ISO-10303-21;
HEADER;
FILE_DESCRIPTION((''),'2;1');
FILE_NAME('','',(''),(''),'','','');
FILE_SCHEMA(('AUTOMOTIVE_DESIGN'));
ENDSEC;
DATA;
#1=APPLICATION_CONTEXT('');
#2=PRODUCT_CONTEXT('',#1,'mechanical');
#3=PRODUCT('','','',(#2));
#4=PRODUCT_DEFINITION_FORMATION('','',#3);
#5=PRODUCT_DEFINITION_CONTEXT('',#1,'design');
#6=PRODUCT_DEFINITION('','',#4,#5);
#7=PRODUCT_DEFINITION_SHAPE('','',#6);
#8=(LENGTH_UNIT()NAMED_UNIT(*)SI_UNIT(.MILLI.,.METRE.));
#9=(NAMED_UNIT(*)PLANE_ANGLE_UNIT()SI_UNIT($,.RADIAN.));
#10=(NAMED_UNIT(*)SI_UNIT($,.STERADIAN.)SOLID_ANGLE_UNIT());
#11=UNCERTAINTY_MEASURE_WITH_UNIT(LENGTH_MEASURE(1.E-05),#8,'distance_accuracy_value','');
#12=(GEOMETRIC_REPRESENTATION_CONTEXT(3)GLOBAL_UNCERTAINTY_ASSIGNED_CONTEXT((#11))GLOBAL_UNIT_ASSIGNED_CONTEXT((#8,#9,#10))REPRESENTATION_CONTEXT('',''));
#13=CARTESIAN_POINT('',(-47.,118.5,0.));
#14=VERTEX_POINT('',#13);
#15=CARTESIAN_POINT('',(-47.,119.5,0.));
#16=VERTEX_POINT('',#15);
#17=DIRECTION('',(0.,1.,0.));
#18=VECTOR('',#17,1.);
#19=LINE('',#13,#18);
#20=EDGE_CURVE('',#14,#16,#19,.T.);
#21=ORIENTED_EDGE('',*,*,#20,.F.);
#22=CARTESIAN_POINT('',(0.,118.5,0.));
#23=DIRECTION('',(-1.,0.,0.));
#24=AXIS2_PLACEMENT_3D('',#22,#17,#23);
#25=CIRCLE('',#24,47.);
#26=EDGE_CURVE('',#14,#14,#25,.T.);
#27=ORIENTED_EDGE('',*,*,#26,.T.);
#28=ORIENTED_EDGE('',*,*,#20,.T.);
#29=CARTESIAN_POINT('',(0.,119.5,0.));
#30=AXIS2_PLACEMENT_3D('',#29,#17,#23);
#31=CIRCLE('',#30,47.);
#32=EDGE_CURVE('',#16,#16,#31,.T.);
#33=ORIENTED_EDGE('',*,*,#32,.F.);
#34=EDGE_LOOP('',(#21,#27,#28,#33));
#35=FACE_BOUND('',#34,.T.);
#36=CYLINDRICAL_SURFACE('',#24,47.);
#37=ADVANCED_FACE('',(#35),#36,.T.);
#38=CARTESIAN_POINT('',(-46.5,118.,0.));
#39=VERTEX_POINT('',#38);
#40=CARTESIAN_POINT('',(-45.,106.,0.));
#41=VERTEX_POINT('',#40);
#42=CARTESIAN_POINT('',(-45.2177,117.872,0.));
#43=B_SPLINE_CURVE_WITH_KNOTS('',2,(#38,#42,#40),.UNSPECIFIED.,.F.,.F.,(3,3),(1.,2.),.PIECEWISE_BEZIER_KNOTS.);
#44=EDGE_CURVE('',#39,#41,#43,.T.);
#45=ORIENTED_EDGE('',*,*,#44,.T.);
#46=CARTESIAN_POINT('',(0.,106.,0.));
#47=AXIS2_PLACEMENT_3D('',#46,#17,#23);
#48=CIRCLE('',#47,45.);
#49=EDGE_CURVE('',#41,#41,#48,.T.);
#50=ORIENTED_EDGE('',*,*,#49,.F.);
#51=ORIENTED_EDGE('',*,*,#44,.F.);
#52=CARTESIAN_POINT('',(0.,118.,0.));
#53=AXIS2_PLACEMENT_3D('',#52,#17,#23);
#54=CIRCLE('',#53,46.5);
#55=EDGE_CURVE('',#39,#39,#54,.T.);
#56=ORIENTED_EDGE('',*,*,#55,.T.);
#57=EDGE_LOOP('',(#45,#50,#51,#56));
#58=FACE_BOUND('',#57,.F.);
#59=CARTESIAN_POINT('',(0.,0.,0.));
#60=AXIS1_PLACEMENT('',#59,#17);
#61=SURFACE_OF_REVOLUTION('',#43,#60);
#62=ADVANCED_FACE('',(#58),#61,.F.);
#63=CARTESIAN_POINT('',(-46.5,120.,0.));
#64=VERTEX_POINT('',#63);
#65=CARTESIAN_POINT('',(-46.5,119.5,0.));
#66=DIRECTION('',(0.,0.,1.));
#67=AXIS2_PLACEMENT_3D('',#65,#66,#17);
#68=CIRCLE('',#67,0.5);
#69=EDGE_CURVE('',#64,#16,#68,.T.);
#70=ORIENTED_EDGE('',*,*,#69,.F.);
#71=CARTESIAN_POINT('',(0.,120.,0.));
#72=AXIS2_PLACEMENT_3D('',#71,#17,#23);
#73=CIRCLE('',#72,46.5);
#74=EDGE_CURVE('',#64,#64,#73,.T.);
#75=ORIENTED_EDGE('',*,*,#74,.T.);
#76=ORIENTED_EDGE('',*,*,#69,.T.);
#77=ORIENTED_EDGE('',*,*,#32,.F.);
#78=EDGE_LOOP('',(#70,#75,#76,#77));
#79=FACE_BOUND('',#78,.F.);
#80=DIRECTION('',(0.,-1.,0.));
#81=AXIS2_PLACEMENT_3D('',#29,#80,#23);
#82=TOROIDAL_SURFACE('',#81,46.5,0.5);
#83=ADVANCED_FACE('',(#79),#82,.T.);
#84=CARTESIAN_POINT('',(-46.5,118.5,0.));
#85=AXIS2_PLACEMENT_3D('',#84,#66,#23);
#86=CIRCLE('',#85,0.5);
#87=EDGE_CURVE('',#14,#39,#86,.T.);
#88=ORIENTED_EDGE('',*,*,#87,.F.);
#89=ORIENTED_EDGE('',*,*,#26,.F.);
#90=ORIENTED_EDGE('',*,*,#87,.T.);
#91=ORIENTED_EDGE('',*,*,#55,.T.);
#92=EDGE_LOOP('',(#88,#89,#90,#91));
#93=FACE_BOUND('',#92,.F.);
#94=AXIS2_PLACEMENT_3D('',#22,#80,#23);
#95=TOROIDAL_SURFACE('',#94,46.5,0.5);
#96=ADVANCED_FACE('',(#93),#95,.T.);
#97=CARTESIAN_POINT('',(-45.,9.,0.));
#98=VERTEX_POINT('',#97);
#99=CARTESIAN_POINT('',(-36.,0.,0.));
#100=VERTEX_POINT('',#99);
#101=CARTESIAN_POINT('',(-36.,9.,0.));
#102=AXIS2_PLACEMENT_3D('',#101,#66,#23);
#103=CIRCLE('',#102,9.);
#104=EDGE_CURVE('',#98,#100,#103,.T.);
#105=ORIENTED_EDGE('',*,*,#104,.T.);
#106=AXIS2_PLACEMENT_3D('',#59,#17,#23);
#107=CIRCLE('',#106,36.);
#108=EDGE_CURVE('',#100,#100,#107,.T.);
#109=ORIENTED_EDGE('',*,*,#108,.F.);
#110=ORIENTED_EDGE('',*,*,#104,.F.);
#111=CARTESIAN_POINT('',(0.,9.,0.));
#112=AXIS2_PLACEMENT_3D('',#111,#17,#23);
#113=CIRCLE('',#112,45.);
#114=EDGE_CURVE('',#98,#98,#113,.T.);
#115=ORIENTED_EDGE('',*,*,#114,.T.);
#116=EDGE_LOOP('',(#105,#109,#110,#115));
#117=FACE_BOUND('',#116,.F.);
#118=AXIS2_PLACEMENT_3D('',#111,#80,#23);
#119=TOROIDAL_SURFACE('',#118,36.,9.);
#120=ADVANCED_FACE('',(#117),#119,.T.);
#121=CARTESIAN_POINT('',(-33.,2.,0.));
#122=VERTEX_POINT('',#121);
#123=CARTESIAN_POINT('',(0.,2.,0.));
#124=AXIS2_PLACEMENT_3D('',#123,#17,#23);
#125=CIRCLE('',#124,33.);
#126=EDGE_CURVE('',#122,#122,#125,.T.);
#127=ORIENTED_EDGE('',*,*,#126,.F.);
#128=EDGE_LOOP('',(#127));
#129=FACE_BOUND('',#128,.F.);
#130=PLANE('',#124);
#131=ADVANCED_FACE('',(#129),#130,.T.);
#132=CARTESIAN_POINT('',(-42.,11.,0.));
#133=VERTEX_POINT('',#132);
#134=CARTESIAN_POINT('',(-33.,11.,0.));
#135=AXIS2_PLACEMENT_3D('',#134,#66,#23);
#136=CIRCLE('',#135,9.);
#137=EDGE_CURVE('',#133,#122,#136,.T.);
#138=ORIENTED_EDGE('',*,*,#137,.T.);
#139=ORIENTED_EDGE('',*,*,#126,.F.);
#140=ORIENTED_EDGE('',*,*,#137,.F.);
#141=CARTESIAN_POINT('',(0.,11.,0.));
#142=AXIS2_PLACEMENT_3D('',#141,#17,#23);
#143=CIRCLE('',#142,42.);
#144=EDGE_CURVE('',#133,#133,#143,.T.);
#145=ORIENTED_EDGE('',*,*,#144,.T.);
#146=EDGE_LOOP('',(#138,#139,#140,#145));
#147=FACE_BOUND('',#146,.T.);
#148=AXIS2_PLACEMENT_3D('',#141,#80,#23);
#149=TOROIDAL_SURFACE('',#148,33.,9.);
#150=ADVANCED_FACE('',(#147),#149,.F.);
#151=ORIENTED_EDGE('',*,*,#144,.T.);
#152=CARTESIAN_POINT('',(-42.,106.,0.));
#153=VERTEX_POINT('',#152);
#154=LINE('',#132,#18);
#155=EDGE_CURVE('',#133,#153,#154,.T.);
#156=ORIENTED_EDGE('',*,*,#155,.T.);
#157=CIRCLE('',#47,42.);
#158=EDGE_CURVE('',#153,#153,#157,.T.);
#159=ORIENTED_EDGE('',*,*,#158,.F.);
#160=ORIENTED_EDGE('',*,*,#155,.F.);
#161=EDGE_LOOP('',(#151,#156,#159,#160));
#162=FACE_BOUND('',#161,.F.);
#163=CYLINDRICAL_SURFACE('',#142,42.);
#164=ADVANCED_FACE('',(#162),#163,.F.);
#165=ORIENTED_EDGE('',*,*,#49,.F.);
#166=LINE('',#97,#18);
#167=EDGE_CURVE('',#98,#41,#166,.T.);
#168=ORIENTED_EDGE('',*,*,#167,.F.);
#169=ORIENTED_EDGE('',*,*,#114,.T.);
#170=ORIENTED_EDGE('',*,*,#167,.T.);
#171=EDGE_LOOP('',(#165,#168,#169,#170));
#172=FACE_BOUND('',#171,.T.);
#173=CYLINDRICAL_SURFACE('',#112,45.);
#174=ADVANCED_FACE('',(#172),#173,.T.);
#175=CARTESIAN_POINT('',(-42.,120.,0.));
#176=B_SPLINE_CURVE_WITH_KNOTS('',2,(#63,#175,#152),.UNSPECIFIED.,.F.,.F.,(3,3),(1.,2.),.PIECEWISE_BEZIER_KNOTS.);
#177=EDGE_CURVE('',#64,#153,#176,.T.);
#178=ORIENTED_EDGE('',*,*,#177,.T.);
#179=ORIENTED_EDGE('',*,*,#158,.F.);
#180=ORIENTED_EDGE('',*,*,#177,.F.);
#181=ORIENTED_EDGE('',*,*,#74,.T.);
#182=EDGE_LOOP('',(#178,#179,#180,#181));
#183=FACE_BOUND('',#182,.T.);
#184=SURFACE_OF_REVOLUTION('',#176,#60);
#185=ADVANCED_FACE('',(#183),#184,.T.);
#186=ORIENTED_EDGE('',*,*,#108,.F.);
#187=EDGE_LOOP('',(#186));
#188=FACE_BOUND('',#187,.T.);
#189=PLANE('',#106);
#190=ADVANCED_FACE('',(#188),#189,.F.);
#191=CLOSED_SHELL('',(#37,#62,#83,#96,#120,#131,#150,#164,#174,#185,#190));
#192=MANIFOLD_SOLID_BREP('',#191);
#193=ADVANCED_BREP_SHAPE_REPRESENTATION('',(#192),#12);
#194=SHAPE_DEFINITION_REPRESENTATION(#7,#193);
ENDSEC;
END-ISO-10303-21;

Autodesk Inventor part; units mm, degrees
ref_plane "YZ Plane" through (0, 0, 0) normal (1, 0, 0) x (0, 1, 0)
ref_plane "XZ Plane" through (0, 0, 0) normal (0, 1, 0) x (-1, 0, 0)
ref_plane "XY Plane" through (0, 0, 0) normal (0, 0, 1) x (1, 0, 0)
sketch "Sketch1" plane through (0, 0, 0) normal (0, 0, 1) x (1, 0, 0)
  line L0 (0, 0) -> (-36, 0)
  line L1 (0, 0) -> (0, 2)
  line L2 (0, 2) -> (-33, 2)
  line L3 (-45, 9) -> (-45, 118)
  line L4 (-45, 0) -> (64, 0) construction
  line L5 (-45, 118) -> (-46.5, 118)
  line L6 (-47, 118.5) -> (-47, 119.5)
  line L7 (-42, 11) -> (-42, 120)
  line L8 (-42, 120) -> (-46.5, 120)
  arc A0 (-47, 118.5) -> (-46.5, 118) centre (-46.5, 118.5) ccw
  arc A1 (-46.5, 120) -> (-47, 119.5) centre (-46.5, 119.5) ccw
  arc A2 (-42, 11) -> (-33, 2) centre (-33, 11) ccw
  arc A3 (-45, 9) -> (-36, 0) centre (-36, 9) ccw
  line L9 (-46.5, 118) -> (-45.2177, 117.872) construction
  line L10 (-45.2177, 117.872) -> (-45, 106) construction
  spline S0 degree 2 poles (-46.5, 118) (-45.2177, 117.872) (-45, 106) knots 1 1 1 2 2 2
  line L11 (-46.5, 120) -> (-42, 120) construction
  line L12 (-42, 120) -> (-42, 106) construction
  spline S1 degree 2 poles (-46.5, 120) (-42, 120) (-42, 106) knots 1 1 1 2 2 2
  point P0 (-42, 2)
  point P1 (-47, 118)
  point P2 (-47, 120)
  point P3 (-42, 106.0002)
  dimension "d0" = 45
  dimension "d1" = 2
  dimension "d2" = 42
  dimension "d3" = 90
  dimension "d4" = 118
  dimension "d5" = 90
  dimension "d6" = 2
  dimension "d7" = 2
  dimension "d8" = 90
  dimension "d9" = 12
  dimension "d10" = 0.5
  dimension "d11" = 0.5
  dimension "d12" = 9
  dimension "d13" = 9
revolve "Revolution1" add sketch "Sketch1" angle 360 about axis through (0, 0, 0) along (0, 1, 0) contours L0 A3 L3 L5 A0 L6 A1 S1 L7 A2 L2 L1 | S0 L5 L3
properties part number "Precipitated Glass 600ml-De90-Di84-H120" material "Glass"
